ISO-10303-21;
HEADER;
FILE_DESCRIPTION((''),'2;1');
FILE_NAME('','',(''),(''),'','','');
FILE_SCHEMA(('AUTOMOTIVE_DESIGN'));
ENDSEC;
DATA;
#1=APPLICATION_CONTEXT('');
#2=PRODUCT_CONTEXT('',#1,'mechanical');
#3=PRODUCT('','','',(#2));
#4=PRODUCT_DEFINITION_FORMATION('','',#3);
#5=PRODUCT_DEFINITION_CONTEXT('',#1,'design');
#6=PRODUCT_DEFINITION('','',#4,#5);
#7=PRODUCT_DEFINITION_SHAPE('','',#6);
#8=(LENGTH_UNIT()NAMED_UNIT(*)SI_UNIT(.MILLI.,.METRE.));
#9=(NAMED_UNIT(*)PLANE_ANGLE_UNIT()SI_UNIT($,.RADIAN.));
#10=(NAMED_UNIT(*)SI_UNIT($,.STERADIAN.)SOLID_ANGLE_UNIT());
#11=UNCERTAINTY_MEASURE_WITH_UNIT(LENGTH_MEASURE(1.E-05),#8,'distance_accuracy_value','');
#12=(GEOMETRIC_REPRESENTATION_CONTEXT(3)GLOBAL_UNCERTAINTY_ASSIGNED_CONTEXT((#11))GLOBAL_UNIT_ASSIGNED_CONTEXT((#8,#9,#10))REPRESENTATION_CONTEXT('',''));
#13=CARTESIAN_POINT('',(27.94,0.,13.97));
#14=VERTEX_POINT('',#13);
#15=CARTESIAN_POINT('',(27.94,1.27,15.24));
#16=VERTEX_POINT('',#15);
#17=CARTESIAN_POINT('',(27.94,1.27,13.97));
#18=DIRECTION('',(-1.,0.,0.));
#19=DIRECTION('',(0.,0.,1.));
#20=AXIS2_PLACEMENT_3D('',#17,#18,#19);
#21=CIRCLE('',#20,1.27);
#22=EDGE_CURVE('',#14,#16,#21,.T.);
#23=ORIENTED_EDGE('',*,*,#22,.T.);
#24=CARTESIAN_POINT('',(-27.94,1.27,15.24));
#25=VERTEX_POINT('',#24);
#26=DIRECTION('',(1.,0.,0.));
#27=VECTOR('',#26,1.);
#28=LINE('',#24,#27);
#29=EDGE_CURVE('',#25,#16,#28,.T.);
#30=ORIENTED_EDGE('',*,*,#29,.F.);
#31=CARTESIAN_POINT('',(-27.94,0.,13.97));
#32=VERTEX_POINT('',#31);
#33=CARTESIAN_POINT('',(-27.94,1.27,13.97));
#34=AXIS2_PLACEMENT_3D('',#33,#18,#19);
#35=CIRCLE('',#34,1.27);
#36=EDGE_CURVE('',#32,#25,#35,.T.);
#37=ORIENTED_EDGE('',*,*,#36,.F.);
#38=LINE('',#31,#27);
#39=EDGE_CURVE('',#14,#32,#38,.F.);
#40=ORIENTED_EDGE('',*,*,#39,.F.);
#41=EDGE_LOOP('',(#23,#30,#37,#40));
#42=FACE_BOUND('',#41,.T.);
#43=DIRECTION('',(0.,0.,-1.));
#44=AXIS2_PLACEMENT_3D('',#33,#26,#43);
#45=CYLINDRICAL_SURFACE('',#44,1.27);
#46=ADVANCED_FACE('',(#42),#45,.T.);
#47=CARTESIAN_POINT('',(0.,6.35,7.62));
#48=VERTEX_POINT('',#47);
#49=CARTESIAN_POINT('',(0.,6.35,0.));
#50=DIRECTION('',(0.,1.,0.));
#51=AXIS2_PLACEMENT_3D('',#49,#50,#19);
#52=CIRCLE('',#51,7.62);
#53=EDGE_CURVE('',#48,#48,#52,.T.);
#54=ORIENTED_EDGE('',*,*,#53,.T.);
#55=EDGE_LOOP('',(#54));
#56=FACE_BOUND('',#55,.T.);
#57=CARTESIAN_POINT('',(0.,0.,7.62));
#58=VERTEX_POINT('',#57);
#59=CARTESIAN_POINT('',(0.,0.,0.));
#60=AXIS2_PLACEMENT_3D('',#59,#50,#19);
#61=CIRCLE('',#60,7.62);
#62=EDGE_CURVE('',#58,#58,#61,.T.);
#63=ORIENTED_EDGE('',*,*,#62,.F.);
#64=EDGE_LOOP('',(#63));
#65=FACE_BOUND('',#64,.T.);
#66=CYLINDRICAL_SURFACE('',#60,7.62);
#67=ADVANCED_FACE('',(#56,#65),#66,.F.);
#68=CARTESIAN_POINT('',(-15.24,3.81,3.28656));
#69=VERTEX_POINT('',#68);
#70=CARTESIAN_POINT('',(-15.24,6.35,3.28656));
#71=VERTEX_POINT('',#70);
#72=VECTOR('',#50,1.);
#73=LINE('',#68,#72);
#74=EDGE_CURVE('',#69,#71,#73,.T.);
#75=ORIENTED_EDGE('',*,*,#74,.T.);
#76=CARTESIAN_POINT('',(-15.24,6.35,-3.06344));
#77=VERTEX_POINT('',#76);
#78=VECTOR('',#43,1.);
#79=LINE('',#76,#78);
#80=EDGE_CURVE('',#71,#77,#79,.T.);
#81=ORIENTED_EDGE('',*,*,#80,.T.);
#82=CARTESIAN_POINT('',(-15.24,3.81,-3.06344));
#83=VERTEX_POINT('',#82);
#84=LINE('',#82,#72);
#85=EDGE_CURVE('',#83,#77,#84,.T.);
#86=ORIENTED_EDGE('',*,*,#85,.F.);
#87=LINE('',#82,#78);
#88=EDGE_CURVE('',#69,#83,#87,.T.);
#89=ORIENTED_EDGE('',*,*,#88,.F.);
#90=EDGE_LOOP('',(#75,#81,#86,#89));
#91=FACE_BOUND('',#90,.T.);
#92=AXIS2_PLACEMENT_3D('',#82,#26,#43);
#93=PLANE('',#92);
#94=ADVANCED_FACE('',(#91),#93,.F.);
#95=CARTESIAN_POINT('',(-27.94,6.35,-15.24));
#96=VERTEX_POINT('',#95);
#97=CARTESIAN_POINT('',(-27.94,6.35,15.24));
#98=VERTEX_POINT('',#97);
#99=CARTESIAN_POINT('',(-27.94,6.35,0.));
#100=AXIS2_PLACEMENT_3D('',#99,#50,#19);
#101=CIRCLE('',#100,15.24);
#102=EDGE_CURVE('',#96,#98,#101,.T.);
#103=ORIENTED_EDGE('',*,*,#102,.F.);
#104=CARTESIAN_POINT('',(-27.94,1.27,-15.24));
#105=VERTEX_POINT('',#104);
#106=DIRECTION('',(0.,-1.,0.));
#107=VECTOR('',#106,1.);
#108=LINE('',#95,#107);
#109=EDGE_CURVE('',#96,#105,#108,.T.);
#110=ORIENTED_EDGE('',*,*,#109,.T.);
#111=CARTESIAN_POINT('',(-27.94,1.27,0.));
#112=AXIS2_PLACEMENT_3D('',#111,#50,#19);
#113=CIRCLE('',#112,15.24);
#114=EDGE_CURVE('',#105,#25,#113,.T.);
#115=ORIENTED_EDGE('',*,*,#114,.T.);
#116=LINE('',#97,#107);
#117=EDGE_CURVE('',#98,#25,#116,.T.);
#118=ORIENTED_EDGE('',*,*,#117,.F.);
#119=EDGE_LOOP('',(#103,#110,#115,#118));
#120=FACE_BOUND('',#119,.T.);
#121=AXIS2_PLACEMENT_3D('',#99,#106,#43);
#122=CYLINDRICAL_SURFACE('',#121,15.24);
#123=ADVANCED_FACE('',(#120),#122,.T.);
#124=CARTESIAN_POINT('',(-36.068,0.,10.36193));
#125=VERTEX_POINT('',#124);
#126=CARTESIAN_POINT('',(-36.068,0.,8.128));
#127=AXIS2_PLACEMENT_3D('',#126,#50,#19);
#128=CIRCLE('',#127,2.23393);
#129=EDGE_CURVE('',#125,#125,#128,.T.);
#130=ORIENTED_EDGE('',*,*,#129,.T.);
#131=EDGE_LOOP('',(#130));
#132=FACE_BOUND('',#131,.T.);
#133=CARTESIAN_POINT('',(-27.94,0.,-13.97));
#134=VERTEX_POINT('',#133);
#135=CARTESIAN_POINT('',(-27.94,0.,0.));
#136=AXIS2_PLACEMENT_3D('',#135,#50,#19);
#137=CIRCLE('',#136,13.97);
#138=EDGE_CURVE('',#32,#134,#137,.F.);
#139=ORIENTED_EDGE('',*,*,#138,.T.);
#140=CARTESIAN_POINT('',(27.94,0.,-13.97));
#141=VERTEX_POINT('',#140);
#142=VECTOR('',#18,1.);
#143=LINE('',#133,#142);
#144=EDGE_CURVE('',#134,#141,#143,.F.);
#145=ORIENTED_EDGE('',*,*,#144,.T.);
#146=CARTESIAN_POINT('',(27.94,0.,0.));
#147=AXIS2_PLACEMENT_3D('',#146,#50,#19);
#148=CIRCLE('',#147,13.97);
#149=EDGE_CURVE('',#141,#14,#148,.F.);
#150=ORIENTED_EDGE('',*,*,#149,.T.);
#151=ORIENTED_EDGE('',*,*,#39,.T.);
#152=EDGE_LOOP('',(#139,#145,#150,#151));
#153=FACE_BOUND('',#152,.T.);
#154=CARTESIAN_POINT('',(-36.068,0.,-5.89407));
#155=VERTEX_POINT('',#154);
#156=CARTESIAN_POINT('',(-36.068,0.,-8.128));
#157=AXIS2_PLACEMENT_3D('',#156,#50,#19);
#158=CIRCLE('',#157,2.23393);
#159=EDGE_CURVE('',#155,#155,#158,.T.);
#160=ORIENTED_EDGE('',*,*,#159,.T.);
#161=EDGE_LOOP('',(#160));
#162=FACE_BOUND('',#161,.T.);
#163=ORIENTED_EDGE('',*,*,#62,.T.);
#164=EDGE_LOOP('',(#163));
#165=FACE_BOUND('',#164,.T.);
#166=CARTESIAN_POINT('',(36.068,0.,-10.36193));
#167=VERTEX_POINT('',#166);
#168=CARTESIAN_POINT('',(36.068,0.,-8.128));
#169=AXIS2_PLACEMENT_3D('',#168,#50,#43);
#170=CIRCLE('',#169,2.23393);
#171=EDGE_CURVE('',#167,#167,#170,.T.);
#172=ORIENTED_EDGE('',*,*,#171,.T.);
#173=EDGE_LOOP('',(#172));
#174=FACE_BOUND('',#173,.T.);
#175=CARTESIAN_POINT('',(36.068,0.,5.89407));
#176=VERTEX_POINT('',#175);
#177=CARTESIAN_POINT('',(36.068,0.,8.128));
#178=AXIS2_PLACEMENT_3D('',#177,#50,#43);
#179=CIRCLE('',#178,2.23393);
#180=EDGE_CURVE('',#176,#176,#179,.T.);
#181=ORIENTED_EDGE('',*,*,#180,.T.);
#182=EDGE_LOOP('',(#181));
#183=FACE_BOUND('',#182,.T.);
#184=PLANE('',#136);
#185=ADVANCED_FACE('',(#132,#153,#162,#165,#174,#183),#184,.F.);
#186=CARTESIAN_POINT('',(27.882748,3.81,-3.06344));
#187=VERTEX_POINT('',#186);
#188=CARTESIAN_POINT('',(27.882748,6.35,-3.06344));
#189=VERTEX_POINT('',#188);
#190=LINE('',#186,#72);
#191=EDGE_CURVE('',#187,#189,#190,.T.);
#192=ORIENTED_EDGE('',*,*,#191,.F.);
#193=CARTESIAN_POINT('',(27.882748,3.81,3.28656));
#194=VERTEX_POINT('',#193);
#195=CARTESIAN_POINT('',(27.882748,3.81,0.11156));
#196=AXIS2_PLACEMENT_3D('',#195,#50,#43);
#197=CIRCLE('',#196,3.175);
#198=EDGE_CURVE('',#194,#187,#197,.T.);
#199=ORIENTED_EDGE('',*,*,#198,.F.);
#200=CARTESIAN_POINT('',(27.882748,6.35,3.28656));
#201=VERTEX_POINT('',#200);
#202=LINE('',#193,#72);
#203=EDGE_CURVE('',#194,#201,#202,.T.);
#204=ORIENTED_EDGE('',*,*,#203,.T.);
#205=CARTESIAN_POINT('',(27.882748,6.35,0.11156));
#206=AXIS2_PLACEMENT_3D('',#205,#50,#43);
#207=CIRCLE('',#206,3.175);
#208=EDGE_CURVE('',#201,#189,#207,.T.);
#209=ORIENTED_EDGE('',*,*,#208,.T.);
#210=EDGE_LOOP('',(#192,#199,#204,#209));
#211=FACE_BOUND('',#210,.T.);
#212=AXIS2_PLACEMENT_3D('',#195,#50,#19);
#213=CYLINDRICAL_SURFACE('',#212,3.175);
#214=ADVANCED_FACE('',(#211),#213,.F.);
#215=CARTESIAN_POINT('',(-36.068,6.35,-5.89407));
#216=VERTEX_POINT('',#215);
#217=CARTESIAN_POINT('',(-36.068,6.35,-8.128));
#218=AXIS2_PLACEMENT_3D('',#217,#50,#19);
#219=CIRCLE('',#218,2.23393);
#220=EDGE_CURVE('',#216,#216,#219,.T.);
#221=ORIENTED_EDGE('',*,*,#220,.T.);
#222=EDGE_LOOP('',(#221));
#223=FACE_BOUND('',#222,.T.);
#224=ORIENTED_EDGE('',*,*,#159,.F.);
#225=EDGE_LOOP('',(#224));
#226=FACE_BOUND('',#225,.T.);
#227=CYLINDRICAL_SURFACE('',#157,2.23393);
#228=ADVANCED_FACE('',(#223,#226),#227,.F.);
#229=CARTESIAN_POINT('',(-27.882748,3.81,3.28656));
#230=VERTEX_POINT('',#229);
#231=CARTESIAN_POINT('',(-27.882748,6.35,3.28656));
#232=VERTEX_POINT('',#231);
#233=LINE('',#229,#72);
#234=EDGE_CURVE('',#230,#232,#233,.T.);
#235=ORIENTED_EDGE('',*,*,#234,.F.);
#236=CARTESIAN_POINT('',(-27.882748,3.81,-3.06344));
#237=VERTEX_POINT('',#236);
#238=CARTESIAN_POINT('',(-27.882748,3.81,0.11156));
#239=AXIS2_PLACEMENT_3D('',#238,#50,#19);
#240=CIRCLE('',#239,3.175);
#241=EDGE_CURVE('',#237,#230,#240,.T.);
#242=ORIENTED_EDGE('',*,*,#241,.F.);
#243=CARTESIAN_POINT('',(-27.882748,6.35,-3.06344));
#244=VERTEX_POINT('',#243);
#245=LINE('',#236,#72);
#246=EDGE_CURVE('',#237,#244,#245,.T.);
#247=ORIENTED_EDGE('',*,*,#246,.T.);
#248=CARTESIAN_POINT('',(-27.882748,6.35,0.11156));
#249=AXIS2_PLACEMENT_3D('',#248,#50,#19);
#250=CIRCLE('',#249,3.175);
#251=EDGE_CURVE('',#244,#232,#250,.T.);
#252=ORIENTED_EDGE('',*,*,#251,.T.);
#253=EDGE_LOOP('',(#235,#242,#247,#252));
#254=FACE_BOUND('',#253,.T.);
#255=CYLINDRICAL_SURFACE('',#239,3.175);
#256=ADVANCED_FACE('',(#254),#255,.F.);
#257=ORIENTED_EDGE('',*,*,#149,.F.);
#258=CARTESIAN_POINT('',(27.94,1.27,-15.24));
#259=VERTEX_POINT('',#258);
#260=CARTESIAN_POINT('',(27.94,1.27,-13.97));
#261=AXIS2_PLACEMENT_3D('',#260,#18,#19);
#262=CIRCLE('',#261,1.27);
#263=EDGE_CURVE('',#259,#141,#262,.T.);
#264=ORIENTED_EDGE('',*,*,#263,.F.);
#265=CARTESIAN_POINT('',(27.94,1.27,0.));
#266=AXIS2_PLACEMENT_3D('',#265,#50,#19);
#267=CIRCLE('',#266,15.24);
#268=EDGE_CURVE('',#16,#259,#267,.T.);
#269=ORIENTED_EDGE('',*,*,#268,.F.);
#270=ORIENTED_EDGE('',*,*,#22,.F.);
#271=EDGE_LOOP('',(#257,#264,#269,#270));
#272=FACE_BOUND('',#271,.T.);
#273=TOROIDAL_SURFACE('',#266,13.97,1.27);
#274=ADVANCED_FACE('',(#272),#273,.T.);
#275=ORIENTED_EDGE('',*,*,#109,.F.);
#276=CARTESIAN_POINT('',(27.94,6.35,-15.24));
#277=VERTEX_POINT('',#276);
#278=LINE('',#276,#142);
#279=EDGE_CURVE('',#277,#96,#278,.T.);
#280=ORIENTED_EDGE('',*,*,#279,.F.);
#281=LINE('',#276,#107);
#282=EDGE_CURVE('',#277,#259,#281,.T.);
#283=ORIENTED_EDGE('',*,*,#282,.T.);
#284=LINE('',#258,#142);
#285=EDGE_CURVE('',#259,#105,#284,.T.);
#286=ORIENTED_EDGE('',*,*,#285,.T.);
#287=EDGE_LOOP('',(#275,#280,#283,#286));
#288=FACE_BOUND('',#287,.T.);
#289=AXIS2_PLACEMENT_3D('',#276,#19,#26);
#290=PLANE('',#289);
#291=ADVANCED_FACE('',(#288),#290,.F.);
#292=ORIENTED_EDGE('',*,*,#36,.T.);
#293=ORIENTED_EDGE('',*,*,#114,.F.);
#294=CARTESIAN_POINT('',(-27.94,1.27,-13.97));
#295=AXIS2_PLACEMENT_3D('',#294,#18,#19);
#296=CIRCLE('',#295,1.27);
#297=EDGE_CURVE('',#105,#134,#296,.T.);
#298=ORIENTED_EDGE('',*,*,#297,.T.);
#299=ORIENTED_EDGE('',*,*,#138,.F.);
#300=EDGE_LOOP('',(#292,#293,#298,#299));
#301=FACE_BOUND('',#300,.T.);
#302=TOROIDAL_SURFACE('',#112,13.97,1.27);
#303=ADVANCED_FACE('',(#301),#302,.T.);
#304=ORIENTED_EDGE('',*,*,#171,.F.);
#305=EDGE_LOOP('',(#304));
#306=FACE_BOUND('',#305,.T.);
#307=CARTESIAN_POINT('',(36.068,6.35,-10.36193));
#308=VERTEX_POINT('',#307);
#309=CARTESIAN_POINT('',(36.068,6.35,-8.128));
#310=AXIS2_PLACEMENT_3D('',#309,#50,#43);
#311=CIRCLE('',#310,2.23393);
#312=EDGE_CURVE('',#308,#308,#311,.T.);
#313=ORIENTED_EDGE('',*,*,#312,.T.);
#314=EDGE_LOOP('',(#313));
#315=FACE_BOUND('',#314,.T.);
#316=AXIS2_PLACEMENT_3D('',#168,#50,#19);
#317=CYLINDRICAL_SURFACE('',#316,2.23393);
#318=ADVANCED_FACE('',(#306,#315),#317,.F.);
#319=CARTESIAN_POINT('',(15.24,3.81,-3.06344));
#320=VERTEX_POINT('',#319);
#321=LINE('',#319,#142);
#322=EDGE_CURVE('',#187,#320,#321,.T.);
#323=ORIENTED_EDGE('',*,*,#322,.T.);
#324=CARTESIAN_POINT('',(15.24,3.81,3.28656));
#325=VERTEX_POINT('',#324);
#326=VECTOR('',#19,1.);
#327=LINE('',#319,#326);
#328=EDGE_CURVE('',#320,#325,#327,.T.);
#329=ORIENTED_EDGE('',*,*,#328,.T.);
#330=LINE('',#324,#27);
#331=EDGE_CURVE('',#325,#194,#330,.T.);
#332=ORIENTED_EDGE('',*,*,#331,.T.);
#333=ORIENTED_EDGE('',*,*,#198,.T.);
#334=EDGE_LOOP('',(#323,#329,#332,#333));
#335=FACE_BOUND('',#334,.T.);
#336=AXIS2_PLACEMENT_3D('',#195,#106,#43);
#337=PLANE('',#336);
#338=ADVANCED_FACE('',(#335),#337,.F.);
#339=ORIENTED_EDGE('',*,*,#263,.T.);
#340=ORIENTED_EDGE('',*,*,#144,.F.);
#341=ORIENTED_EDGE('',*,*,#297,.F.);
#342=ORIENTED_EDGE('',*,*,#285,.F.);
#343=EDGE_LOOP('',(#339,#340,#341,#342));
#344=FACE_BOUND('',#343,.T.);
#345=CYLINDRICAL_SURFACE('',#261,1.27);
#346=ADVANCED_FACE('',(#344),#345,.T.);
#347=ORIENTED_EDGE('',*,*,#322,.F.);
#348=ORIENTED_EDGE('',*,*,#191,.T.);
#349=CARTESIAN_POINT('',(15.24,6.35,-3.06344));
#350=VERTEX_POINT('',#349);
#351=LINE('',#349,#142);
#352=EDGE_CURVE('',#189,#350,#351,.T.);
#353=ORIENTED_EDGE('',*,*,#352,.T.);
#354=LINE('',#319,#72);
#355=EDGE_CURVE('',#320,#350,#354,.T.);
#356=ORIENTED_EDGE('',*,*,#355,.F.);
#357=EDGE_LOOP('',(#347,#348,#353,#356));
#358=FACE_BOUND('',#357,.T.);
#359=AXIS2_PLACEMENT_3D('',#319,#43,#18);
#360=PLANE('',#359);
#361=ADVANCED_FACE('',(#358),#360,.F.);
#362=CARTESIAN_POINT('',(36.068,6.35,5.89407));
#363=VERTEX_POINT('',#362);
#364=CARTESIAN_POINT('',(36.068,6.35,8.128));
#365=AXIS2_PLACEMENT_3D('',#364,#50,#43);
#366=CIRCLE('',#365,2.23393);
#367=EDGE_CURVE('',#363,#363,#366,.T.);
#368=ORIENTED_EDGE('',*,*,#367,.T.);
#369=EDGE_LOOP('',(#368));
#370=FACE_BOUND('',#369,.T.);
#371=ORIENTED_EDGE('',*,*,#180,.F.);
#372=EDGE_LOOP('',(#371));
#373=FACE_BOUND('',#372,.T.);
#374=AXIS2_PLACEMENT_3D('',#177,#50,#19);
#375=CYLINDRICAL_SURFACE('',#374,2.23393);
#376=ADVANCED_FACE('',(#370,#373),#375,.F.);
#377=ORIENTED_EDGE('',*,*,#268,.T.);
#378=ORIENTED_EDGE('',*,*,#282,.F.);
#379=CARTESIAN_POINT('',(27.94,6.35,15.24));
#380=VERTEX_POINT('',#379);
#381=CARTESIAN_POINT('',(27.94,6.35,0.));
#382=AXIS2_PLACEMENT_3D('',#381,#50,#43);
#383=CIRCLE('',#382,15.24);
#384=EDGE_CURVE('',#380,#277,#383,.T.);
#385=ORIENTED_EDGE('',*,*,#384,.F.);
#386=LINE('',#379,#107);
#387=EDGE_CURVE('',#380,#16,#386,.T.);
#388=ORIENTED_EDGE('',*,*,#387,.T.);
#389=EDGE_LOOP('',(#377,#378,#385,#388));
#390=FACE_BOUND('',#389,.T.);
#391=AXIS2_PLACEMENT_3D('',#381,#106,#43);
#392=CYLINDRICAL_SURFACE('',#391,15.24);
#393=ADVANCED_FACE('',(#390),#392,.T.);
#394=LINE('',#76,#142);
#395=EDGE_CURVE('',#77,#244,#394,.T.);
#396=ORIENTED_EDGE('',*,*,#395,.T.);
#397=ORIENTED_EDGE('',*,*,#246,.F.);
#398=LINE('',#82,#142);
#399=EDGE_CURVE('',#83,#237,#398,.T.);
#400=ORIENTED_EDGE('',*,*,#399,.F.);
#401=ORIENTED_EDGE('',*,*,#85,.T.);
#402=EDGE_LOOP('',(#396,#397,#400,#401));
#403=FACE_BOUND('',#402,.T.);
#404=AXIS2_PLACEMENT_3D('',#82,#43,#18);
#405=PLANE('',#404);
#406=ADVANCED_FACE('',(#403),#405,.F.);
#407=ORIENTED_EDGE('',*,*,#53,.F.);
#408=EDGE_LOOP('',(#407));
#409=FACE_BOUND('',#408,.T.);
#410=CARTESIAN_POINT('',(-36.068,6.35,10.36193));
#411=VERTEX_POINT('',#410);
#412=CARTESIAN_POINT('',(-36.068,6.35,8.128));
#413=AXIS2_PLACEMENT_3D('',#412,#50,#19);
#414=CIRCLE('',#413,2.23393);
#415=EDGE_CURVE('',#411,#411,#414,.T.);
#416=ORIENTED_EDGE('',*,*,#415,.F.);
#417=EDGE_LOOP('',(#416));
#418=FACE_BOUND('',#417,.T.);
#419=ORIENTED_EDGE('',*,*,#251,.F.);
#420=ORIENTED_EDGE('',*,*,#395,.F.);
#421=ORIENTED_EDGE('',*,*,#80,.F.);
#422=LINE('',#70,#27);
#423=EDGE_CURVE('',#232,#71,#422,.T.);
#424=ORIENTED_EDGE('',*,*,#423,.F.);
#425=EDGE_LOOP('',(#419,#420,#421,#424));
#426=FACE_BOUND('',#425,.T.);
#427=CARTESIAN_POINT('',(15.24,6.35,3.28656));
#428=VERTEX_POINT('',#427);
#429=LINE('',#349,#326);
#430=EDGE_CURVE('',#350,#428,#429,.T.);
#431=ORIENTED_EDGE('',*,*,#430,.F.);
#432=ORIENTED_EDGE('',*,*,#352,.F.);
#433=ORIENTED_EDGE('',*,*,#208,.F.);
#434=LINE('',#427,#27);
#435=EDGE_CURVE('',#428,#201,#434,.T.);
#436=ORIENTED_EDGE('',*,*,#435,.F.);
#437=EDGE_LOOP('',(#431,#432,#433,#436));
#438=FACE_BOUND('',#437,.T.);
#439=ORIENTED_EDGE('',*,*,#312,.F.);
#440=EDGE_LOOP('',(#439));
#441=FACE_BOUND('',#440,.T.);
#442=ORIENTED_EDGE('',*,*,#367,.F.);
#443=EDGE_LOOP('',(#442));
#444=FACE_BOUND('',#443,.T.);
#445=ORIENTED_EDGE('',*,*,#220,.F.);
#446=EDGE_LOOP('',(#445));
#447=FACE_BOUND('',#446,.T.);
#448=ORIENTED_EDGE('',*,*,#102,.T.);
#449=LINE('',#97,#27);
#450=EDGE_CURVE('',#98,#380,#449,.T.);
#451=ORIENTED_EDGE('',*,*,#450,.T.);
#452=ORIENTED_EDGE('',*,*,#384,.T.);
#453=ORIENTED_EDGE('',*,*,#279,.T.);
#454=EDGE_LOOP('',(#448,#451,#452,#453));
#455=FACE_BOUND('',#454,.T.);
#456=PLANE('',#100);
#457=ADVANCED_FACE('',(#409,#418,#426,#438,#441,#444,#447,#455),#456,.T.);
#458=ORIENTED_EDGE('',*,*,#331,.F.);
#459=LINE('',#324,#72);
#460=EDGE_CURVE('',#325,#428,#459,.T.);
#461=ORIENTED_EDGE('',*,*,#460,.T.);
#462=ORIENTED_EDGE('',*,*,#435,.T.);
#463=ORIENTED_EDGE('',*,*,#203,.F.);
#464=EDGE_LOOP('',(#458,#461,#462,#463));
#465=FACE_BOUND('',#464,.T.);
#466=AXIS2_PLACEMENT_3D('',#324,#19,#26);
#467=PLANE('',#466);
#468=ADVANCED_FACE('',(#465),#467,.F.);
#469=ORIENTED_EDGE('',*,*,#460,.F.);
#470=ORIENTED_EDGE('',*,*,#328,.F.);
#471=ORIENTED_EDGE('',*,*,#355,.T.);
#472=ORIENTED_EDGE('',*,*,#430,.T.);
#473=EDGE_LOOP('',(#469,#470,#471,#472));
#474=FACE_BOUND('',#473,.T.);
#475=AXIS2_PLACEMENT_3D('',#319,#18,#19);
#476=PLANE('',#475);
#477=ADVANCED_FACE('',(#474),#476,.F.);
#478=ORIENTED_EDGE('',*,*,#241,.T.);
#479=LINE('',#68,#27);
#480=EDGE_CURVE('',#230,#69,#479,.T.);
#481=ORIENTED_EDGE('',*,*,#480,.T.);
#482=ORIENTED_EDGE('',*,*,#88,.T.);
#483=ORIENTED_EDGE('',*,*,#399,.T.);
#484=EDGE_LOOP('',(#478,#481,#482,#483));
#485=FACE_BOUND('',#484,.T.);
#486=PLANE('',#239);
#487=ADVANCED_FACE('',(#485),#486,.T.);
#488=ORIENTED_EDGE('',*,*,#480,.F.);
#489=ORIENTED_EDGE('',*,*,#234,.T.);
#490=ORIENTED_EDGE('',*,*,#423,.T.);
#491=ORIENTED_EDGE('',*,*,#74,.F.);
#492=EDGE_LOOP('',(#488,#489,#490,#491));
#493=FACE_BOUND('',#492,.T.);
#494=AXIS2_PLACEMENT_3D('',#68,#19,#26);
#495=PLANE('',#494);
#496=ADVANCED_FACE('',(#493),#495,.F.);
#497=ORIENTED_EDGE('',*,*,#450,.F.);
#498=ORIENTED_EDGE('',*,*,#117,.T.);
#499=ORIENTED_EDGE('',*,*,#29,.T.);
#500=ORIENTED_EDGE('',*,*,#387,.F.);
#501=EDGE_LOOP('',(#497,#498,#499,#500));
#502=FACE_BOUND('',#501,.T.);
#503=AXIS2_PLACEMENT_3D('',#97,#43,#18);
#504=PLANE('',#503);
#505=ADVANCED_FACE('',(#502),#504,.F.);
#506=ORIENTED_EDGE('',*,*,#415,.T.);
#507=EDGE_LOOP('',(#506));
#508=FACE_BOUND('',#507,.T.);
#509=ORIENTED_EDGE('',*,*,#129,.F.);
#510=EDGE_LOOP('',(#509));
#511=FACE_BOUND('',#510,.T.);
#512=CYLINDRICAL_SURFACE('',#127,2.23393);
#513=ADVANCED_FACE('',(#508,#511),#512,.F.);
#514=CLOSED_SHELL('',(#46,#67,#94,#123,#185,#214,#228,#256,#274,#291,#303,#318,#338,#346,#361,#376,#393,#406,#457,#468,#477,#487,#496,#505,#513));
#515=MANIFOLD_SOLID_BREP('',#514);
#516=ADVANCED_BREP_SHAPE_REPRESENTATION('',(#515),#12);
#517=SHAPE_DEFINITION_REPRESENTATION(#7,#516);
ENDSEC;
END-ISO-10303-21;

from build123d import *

# Parameters (mm, degrees)
BOSS_EXTRUDE1_DEPTH = 6.35
CUT_EXTRUDE1_DEPTH  = 2.54
SKETCH3_R           = 7.62
CUT_EXTRUDE2_DEPTH  = 47.228697797
FILLET1_R           = 1.27
SKETCH4_R           = 2.23393
CUT_EXTRUDE3_DEPTH  = 47.228697923


with BuildPart() as part:
    # Sketch1 → Boss-Extrude1 (new body)
    with BuildSketch(Plane(origin=(0, 0, 0), x_dir=(1, 0, 0), z_dir=(0, 1, 0))):
        with BuildLine():
            Line((27.94, 15.24), (-27.94, 15.24))
            ThreePointArc((-27.94, 15.24), (-43.18, 0), (-27.94, -15.24))
            Line((-27.94, -15.24), (27.94, -15.24))
            ThreePointArc((27.94, -15.24), (43.18, 0), (27.94, 15.24))
        make_face()
    extrude(amount=BOSS_EXTRUDE1_DEPTH)

    # Sketch2 → Cut-Extrude1 (cut)
    with BuildSketch(Plane(origin=(0, 6.35, 0), x_dir=(1, 0, 0), z_dir=(0, 1, 0))):
        with BuildLine():
            Line((-15.24, 3.063440359), (-27.882747925, 3.063440359))
            ThreePointArc((-27.882747925, 3.063440359), (-31.057747925, -0.111559641), (-27.882747925, -3.286559641))
            Line((-27.882747925, -3.286559641), (-15.24, -3.286559641))
            Line((-15.24, -3.286559641), (-15.24, 3.063440359))
        make_face()
        with BuildLine():
            Line((15.24, 3.063440359), (15.24, -3.286559641))
            Line((15.24, -3.286559641), (27.882747925, -3.286559641))
            ThreePointArc((27.882747925, -3.286559641), (31.057747925, -0.111559641), (27.882747925, 3.063440359))
            Line((27.882747925, 3.063440359), (15.24, 3.063440359))
        make_face()
    extrude(amount=-CUT_EXTRUDE1_DEPTH, mode=Mode.SUBTRACT)

    # Sketch3 → Cut-Extrude2 (cut, through all)
    with BuildSketch(Plane(origin=(0, 6.35, 0), x_dir=(1, 0, 0), z_dir=(0, 1, 0))):
        with Locations(Location((0, 0, 0), (0, 0, 270))):
            Circle(SKETCH3_R)
    extrude(amount=-CUT_EXTRUDE2_DEPTH, mode=Mode.SUBTRACT)

    # Fillet1
    fillet1_edges = [part.edges().sort_by_distance(p)[0] for p in [
        (0, 0, -15.24),
        (43.18, 0, 0),
        (0, 0, 15.24),
        (-43.18, 0, 0),
    ]]
    fillet(fillet1_edges, radius=FILLET1_R)

    # Sketch4 → Cut-Extrude3 (cut, through all)
    with BuildSketch(Plane(origin=(0, 6.35, 0), x_dir=(1, 0, 0), z_dir=(0, 1, 0))):
        with Locations(Location((-36.068, 8.128, 0), (0, 0, 270))):
            Circle(SKETCH4_R)
        with Locations(Location((-36.068, -8.128, 0), (0, 0, 270))):
            Circle(SKETCH4_R)
        with Locations(Location((36.068, 8.128, 0), (0, 0, 90))):
            Circle(SKETCH4_R)
        with Locations(Location((36.068, -8.128, 0), (0, 0, 90))):
            Circle(SKETCH4_R)
    extrude(amount=-CUT_EXTRUDE3_DEPTH, mode=Mode.SUBTRACT)


solid = part.part
